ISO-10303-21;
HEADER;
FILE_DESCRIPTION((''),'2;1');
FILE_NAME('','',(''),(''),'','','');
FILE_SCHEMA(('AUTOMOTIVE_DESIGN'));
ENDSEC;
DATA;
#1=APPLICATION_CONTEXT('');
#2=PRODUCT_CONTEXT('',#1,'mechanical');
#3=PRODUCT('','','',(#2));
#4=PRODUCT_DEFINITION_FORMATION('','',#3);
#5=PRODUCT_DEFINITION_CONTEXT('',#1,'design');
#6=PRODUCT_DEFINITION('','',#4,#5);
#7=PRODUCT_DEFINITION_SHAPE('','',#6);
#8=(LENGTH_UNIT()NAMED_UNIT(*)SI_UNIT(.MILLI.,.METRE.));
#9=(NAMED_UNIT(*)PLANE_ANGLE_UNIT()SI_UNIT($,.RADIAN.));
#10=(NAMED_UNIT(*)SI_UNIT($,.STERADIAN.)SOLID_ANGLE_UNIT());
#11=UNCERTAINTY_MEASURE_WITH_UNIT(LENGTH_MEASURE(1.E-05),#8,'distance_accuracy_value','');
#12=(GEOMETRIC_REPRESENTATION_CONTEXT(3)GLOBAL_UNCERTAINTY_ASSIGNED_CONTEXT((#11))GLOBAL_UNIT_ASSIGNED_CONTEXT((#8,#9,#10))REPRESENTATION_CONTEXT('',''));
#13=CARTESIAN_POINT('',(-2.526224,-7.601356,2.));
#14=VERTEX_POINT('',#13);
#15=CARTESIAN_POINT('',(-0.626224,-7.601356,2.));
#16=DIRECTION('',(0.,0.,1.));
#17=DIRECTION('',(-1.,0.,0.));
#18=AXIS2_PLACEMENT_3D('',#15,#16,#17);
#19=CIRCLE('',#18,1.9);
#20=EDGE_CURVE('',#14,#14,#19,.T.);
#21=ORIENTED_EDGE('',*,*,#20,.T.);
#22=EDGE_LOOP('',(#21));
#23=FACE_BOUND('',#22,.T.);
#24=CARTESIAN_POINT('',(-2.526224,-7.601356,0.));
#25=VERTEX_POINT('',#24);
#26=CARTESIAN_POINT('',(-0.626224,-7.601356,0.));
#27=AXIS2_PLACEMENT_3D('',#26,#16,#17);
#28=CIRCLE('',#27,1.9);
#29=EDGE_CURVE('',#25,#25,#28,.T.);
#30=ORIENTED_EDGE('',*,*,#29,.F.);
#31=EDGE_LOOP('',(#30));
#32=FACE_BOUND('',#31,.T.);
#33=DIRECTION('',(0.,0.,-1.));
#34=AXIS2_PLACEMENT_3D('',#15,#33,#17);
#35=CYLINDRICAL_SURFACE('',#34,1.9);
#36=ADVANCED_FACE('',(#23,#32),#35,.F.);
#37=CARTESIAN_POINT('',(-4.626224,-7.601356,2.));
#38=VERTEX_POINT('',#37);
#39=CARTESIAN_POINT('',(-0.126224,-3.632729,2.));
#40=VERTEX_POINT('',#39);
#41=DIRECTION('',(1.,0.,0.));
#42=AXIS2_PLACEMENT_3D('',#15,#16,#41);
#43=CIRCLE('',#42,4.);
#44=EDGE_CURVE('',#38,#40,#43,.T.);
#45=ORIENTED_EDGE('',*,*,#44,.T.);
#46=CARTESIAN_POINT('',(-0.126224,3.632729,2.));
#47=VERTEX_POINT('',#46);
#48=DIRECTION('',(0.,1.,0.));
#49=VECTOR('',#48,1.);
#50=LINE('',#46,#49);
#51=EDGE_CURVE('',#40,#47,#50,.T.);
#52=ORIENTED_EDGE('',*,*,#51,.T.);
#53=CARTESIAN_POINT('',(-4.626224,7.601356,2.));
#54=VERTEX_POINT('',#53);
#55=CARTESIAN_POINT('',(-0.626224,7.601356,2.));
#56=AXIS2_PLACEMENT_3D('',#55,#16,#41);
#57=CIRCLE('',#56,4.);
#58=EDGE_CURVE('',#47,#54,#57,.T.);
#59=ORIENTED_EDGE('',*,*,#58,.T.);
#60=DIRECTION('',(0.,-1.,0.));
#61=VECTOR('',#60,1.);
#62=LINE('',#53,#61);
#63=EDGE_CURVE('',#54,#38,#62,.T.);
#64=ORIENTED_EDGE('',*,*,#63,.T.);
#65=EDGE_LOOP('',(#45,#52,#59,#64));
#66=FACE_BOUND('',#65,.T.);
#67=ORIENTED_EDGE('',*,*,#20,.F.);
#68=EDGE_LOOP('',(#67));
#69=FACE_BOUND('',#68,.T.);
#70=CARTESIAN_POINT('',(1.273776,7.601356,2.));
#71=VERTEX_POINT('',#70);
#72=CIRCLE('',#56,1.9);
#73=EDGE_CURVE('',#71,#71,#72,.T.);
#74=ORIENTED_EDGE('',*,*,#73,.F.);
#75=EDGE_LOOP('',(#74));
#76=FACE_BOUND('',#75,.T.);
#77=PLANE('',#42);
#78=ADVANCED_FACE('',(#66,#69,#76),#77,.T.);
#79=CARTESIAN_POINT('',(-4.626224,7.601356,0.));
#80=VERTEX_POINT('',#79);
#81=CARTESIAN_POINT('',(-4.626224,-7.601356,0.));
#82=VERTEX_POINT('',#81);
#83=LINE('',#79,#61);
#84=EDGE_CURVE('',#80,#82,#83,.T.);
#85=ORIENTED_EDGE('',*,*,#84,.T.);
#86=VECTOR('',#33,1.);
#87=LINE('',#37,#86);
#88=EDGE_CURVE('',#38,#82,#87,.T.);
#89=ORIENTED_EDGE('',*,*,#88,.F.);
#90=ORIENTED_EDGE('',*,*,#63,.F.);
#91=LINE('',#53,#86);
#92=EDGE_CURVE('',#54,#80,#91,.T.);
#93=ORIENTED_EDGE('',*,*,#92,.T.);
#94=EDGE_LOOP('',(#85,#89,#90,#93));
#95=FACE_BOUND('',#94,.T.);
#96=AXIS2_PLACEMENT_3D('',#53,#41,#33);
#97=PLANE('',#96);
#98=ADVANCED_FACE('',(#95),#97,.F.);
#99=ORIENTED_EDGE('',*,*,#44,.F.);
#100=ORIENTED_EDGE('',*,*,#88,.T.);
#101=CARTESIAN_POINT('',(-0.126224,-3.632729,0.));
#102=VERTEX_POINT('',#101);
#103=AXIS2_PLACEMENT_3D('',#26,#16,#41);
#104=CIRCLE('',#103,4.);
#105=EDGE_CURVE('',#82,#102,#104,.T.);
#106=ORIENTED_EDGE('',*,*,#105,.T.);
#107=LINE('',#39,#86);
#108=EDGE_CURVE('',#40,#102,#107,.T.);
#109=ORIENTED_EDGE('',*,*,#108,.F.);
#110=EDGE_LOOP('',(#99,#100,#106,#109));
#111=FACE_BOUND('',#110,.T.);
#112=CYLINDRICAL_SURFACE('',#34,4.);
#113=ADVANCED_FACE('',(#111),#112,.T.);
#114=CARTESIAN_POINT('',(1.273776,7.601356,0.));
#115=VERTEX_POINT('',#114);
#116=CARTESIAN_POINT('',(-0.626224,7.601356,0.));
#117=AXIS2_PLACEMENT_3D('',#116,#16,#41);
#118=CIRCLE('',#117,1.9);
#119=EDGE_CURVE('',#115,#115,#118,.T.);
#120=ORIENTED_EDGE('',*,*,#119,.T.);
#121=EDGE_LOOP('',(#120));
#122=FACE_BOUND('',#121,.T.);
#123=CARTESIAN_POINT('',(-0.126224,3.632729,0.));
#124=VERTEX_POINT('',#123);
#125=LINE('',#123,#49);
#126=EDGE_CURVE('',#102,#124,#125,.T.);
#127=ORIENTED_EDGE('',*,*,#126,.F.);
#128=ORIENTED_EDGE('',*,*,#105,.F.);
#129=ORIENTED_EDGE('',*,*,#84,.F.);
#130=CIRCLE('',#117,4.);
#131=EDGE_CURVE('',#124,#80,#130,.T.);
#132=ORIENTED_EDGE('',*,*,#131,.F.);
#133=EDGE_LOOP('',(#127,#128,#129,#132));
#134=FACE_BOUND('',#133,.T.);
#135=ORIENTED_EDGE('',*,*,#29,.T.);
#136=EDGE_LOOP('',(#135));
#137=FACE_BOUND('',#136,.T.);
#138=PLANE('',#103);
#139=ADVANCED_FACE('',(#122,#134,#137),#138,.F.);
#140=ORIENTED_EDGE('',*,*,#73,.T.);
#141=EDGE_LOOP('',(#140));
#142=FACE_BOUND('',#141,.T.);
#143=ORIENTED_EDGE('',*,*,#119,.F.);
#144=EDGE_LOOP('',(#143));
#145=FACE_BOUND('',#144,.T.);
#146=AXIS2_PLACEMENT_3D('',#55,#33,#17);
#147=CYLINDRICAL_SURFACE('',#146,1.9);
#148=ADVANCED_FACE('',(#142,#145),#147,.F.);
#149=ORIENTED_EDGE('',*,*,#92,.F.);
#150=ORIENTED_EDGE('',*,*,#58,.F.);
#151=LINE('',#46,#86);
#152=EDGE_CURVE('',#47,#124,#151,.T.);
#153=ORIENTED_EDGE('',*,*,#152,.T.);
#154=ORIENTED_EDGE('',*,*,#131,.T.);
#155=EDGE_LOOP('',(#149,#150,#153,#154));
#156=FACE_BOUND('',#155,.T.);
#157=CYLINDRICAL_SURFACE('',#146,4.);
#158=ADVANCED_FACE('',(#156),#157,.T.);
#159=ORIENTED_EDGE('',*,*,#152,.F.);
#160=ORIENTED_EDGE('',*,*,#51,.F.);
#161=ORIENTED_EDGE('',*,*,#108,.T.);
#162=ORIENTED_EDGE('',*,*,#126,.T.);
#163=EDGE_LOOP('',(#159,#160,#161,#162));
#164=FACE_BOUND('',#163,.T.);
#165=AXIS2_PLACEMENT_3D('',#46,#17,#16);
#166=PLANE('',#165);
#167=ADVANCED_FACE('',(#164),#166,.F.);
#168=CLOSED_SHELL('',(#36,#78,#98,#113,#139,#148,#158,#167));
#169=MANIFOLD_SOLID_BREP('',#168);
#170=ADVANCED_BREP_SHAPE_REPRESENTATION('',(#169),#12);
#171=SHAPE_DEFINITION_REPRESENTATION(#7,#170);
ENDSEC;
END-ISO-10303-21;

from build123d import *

# Parameters (mm, degrees)
SKETCH1_R           = 1.9
BOSS_EXTRUDE1_DEPTH = 2


with BuildPart() as part:
    # Sketch1 → Boss-Extrude1 (new body)
    with BuildSketch(Plane.XY):
        with BuildLine():
            Line((-0.126223669, 3.632728694), (-0.126223669, -3.632728694))
            ThreePointArc((-0.126223669, -3.632728694), (2.019527642, -10.601355661), (-4.626223669, -7.601355661))
            Line((-4.626223669, -7.601355661), (-4.626223669, 7.601355661))
            ThreePointArc((-4.626223669, 7.601355661), (2.019527642, 10.601355661), (-0.126223669, 3.632728694))
        make_face()
        with Locations((-0.626223669, 7.601355661)):
            Circle(SKETCH1_R, mode=Mode.SUBTRACT)
        with Locations(Location((-0.626223669, -7.601355661, 0), (0, 0, 180))):
            Circle(SKETCH1_R, mode=Mode.SUBTRACT)
    extrude(amount=BOSS_EXTRUDE1_DEPTH)


solid = part.part
